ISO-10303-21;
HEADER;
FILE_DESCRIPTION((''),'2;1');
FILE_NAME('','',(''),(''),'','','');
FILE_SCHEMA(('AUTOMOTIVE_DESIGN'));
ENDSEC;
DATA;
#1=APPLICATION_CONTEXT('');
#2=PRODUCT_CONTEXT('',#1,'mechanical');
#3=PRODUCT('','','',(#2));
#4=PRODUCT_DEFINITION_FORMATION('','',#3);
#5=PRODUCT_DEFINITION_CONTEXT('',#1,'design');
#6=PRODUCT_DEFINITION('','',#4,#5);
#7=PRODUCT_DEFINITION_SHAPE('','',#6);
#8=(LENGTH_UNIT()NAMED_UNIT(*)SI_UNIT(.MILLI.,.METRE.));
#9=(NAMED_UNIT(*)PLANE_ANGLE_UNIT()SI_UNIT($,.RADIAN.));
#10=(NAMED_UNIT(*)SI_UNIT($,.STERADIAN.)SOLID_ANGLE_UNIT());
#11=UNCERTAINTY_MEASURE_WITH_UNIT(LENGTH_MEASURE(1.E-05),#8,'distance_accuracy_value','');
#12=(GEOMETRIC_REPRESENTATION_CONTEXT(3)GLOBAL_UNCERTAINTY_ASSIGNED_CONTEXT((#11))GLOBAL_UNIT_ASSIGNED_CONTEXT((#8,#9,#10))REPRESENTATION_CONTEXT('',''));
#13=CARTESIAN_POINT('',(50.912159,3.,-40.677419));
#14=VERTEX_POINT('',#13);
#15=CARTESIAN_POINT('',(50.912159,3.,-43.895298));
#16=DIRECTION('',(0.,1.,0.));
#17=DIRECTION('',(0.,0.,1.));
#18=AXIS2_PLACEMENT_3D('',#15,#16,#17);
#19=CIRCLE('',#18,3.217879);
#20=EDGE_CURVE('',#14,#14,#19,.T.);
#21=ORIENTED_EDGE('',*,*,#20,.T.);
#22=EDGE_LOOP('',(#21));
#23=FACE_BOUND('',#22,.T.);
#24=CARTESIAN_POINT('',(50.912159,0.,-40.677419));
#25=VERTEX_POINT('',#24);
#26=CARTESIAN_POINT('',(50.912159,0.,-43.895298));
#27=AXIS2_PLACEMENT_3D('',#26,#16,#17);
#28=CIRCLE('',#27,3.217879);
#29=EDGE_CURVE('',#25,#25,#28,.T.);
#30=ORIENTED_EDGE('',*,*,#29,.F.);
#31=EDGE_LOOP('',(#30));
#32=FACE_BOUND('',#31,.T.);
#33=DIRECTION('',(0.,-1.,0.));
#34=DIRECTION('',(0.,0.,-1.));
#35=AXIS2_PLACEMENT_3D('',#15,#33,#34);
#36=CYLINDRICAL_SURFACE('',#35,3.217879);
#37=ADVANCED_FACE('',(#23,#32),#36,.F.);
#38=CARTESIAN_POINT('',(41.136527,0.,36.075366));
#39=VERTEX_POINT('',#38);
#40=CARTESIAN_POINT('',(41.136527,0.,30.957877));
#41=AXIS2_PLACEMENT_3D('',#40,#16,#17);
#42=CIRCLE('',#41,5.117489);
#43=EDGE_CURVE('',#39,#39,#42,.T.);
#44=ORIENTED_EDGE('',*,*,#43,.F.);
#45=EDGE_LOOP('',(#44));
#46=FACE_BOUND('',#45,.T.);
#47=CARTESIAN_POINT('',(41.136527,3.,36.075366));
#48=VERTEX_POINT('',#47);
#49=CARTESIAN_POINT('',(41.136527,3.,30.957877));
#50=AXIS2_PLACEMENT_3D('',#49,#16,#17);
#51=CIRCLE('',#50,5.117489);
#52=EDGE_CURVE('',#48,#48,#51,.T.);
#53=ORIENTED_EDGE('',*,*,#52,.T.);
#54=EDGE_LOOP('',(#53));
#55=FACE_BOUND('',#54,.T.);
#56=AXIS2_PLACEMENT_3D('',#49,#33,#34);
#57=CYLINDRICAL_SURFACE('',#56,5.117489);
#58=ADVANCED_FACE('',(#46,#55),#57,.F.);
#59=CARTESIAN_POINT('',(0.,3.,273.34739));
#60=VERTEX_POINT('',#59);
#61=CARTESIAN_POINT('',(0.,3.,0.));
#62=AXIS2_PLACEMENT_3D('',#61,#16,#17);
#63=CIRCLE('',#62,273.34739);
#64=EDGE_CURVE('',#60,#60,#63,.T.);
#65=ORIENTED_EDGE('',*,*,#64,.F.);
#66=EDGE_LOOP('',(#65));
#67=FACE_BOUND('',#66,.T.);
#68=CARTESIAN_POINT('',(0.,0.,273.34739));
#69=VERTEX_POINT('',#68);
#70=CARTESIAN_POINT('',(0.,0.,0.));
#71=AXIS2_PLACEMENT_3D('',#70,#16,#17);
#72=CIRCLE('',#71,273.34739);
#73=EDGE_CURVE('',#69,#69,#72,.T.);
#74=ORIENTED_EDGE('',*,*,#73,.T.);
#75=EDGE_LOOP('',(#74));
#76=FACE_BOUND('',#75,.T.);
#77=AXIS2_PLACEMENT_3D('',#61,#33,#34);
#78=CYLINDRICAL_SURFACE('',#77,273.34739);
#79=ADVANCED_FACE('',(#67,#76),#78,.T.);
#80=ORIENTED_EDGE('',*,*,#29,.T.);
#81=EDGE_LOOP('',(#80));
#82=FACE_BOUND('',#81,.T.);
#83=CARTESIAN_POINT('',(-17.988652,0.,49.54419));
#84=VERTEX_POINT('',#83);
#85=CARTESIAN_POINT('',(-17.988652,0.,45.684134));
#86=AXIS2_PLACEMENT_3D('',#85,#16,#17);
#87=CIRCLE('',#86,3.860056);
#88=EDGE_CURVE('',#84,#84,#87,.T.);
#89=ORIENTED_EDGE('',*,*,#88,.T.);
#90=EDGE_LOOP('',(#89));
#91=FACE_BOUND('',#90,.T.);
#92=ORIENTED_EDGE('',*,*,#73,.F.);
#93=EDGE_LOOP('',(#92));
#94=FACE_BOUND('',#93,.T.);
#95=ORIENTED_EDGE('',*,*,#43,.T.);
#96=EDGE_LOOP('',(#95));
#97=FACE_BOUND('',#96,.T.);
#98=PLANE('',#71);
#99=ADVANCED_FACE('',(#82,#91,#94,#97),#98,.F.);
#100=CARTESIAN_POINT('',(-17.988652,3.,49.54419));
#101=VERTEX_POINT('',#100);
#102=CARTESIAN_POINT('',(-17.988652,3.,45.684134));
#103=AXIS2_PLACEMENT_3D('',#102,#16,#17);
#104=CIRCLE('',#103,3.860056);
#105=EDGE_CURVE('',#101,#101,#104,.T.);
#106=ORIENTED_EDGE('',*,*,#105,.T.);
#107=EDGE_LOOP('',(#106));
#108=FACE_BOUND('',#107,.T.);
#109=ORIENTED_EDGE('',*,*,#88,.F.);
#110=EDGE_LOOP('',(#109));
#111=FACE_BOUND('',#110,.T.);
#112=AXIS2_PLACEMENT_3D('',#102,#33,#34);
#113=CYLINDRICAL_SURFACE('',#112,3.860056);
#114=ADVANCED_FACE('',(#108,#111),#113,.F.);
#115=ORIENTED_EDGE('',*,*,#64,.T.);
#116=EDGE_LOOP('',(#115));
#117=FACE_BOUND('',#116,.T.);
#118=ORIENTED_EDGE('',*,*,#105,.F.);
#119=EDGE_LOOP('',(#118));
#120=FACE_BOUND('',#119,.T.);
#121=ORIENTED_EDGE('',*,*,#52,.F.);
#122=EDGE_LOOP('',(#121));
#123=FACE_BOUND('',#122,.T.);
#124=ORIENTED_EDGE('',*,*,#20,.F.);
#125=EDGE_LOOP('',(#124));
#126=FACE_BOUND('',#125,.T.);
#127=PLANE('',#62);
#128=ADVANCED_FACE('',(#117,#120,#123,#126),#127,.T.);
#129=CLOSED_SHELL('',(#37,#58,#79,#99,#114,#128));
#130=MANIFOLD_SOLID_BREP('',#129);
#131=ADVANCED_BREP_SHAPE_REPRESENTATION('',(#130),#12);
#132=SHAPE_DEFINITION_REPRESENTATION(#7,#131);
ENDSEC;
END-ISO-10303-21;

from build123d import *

# Parameters (mm, degrees)
SKETCH1_R           = 273.347390039
SKETCH1_R_2         = 3.860056217
SKETCH1_R_3         = 5.117489245
SKETCH1_R_4         = 3.217879088
BOSS_EXTRUDE1_DEPTH = 3


with BuildPart() as part:
    # Sketch1 → Boss-Extrude1 (new body)
    with BuildSketch(Plane(origin=(0, 0, 0), x_dir=(1, 0, 0), z_dir=(0, 1, 0))):
        with Locations(Location((0, 0, 0), (0, 0, 270))):
            Circle(SKETCH1_R)
        with Locations(Location((-17.98865211, -45.684133749, 0), (0, 0, 270))):
            Circle(SKETCH1_R_2, mode=Mode.SUBTRACT)
        with Locations(Location((41.136526925, -30.957876899, 0), (0, 0, 270))):
            Circle(SKETCH1_R_3, mode=Mode.SUBTRACT)
        with Locations(Location((50.91215924, 43.895297698, 0), (0, 0, 270))):
            Circle(SKETCH1_R_4, mode=Mode.SUBTRACT)
    extrude(amount=BOSS_EXTRUDE1_DEPTH)


solid = part.part
